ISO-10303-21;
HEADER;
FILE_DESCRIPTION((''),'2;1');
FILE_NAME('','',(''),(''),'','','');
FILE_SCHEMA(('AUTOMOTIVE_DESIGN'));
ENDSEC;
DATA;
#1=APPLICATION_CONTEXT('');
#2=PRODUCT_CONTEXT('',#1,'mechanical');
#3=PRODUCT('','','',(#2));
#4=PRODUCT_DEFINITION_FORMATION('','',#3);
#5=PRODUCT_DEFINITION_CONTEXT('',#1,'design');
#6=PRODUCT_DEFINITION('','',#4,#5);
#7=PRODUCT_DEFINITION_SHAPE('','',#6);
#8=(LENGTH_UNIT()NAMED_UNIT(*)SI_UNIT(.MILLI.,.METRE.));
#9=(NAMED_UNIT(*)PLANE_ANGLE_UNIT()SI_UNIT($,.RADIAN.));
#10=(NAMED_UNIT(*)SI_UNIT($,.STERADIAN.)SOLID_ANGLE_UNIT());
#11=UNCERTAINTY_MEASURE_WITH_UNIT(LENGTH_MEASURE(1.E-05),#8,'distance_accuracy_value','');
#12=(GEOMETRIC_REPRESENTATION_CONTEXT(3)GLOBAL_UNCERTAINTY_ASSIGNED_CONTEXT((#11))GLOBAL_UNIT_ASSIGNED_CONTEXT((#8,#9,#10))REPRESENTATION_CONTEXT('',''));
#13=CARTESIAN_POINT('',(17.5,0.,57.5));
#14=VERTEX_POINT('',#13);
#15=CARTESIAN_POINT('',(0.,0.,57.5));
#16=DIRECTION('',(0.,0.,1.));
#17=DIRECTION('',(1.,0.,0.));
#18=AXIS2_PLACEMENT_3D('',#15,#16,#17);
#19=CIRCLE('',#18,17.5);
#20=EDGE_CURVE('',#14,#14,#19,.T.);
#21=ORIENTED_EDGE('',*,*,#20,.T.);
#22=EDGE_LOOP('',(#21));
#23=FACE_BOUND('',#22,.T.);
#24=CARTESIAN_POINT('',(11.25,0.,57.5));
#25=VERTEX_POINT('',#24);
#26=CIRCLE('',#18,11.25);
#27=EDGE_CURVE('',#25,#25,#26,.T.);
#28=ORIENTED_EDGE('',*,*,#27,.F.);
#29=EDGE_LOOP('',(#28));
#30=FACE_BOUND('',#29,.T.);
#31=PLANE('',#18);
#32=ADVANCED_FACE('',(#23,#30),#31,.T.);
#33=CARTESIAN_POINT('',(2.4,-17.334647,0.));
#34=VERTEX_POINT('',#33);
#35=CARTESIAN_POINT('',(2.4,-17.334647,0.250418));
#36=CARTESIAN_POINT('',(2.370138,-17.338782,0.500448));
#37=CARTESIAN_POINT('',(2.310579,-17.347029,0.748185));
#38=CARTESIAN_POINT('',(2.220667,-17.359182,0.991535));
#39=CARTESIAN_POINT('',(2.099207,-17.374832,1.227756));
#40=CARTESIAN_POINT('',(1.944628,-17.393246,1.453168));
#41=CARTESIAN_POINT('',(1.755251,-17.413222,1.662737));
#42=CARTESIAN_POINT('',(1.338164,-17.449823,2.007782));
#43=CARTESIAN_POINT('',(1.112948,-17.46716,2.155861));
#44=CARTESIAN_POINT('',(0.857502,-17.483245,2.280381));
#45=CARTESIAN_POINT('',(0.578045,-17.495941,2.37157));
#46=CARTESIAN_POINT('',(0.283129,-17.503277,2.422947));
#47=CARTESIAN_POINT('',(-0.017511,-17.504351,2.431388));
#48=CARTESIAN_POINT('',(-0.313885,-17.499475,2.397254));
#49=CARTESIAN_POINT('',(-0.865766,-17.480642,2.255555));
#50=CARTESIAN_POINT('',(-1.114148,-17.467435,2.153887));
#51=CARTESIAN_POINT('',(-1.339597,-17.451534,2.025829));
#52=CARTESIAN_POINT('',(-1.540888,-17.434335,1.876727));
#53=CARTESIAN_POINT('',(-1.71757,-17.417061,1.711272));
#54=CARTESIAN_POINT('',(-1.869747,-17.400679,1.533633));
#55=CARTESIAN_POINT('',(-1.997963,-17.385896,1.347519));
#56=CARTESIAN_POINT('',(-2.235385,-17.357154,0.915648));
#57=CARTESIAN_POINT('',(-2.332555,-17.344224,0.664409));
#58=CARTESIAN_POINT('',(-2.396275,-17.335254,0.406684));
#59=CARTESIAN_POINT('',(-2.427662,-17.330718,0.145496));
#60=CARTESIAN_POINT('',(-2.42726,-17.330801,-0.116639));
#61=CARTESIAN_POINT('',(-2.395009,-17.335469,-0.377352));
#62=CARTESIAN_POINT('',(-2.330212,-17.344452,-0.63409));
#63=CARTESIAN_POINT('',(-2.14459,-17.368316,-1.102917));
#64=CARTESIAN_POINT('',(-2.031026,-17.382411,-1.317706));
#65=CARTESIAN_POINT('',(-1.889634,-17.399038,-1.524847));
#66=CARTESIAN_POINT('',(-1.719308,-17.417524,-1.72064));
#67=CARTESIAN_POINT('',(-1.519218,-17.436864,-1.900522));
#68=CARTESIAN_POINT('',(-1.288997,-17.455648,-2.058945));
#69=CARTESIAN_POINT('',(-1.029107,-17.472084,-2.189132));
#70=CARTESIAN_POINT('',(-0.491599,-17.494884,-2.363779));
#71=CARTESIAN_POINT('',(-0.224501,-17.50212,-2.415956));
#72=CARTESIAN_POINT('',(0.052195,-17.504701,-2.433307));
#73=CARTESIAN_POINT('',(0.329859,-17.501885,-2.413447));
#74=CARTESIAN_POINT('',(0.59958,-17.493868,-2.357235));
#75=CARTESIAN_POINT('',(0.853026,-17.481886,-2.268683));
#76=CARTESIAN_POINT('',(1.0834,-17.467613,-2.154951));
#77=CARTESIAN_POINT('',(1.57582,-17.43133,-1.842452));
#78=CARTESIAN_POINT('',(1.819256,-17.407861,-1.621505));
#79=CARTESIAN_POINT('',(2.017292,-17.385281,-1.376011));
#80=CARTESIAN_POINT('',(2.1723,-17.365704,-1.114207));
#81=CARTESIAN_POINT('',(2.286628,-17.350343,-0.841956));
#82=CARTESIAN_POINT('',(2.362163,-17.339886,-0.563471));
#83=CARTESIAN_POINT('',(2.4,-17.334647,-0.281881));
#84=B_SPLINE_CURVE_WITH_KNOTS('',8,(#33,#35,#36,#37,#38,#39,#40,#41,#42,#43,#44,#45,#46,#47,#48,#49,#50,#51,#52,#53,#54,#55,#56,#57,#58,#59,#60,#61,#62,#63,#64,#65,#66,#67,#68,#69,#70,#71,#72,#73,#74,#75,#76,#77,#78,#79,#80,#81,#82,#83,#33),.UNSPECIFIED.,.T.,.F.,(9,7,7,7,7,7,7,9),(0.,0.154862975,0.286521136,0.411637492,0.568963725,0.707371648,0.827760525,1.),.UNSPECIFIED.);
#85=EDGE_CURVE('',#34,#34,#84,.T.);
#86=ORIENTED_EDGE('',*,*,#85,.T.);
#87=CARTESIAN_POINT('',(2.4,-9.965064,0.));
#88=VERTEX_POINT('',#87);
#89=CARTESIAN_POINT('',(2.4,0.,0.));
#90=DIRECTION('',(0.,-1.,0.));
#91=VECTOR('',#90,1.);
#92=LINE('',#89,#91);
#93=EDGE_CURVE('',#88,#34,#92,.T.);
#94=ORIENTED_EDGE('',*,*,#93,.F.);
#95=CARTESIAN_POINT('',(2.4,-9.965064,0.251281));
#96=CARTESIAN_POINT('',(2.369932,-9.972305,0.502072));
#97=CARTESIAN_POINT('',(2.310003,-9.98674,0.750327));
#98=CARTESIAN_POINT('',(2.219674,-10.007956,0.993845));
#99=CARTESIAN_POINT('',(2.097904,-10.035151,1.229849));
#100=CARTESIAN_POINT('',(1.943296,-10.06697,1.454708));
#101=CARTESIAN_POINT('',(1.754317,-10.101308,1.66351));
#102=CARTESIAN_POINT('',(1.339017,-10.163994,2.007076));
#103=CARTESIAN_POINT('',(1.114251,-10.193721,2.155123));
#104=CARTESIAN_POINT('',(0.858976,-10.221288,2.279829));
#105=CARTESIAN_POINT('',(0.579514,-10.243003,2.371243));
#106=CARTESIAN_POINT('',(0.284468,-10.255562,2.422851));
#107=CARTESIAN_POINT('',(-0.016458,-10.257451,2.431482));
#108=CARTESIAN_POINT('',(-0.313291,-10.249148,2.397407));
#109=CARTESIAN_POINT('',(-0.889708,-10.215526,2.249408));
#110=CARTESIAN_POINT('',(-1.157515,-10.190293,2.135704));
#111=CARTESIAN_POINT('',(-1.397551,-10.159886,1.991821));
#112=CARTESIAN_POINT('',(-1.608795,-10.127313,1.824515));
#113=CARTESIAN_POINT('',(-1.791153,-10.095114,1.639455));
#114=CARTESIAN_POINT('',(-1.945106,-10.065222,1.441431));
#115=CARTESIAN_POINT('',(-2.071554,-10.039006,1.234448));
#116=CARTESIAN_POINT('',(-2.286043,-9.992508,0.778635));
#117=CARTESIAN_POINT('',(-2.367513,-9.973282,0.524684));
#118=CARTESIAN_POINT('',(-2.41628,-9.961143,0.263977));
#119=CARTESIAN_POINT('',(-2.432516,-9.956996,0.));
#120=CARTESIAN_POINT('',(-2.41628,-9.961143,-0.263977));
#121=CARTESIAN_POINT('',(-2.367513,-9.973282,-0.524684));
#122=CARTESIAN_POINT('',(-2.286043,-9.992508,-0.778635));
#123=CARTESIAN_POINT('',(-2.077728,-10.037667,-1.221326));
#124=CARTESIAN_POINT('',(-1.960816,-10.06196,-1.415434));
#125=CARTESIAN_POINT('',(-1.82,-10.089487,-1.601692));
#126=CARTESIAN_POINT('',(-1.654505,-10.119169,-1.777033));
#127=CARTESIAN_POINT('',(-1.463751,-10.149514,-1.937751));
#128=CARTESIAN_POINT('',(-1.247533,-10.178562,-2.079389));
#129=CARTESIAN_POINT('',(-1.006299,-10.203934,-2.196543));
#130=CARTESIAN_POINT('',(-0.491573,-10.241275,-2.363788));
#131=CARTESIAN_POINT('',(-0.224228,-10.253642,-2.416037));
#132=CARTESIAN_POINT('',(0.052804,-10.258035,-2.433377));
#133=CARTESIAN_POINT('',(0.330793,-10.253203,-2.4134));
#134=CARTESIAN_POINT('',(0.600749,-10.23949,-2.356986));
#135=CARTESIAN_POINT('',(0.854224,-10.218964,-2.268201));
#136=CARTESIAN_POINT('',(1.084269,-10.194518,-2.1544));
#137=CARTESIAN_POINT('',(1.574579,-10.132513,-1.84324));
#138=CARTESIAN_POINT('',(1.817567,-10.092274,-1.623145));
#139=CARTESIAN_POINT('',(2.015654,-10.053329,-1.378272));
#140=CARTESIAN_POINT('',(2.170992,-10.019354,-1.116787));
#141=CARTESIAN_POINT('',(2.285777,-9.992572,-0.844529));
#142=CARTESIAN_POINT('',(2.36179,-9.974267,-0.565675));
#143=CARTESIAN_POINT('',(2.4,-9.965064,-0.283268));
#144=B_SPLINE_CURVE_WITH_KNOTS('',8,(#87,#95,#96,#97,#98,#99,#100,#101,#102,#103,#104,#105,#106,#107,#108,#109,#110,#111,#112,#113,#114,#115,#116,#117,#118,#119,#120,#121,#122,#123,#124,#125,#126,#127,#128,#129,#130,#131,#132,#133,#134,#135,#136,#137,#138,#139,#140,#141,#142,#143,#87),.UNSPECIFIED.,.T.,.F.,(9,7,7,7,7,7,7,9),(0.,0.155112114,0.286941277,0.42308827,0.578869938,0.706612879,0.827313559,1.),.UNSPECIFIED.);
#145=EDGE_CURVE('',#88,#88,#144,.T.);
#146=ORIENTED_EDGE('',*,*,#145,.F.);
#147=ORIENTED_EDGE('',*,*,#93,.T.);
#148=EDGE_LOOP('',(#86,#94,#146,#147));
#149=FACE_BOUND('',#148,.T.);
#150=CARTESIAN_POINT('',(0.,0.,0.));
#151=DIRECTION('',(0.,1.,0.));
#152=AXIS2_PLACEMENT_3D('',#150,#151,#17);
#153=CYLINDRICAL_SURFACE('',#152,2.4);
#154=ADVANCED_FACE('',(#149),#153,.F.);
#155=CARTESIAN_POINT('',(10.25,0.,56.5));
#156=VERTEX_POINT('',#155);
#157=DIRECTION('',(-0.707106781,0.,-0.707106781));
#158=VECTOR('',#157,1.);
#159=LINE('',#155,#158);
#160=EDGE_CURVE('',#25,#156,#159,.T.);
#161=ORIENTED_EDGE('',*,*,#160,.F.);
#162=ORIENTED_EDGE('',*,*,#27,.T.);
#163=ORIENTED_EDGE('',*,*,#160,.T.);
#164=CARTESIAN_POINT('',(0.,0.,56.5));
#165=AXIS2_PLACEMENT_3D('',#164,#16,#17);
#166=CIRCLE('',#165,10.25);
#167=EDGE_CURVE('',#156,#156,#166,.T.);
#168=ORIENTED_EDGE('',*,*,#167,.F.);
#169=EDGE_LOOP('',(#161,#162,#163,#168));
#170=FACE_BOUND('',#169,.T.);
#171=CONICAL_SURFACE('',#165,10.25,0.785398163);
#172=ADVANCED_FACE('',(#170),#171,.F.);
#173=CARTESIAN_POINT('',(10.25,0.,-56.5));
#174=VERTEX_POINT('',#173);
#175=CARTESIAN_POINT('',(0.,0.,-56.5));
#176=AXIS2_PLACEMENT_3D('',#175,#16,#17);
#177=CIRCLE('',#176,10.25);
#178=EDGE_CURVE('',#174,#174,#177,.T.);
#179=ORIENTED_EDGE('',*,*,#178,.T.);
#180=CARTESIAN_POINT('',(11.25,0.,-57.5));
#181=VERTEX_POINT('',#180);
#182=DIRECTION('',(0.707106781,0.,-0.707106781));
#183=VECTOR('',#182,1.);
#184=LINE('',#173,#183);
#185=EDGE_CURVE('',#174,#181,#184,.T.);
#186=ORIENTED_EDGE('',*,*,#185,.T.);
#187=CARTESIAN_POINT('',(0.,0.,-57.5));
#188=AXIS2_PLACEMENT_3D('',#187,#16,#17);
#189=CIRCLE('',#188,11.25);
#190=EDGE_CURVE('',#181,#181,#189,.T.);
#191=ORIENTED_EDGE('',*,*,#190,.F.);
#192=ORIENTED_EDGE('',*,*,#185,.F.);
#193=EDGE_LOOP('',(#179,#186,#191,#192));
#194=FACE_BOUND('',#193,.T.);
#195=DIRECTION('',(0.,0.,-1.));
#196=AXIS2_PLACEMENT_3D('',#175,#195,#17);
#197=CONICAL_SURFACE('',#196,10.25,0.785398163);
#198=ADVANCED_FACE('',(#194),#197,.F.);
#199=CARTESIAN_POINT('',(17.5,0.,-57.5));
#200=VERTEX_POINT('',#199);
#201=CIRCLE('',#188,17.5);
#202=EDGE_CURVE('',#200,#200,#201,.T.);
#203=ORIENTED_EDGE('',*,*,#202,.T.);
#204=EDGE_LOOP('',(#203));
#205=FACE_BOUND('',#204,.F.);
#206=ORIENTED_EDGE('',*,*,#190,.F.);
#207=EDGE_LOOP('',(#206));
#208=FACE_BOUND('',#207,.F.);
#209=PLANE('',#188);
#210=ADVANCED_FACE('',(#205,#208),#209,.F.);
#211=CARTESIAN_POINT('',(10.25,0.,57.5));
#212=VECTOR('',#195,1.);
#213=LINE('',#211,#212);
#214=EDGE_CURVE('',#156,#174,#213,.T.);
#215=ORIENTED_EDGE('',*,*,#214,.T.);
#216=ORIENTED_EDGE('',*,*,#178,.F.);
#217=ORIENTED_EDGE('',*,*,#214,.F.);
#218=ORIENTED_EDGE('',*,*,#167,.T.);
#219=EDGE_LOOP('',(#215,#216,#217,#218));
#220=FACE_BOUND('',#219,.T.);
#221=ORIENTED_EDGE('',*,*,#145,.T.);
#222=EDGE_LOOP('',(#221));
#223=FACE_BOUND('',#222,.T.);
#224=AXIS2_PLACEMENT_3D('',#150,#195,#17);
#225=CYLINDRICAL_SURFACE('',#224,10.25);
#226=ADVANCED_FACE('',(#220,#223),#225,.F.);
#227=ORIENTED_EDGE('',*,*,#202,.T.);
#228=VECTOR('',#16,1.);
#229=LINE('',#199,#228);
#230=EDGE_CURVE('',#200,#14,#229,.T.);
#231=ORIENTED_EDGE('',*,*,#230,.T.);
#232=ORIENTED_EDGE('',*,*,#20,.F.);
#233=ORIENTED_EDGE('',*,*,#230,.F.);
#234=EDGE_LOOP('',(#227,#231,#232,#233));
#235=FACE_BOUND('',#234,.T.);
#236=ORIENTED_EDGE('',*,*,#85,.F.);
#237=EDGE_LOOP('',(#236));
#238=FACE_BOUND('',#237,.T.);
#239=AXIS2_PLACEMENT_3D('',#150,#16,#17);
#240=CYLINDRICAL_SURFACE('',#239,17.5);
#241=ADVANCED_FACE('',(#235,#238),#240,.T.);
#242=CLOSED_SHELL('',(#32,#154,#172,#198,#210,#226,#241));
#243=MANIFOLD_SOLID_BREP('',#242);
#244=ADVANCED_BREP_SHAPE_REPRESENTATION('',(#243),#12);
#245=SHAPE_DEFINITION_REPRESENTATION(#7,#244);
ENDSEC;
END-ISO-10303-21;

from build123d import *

# Parameters (mm, degrees)
F0_R     = 17.5
F0_R_2   = 10.25
F1_DEPTH = 57.5
F2_R     = 2.4
F3_DEPTH = 25
F4_SIZE  = 1
F5_SIZE  = 1


with BuildPart() as f1:
    # F0 (on Top) → F1 (new body, symmetric)
    with BuildSketch(Plane.XY):
        Circle(F0_R)
        Circle(F0_R_2, mode=Mode.SUBTRACT)
    extrude(amount=F1_DEPTH, both=True)

    # F2 (on Front) → F3 (cut)
    with BuildSketch(Plane.XZ):
        Circle(F2_R)
    extrude(amount=F3_DEPTH, mode=Mode.SUBTRACT)

    # F4
    f4_edges = [f1.edges().sort_by_distance(p)[0] for p in [
        (-10.25, 0, 57.5),
    ]]
    chamfer(f4_edges, length=F4_SIZE)

    # F5
    f5_edges = [f1.edges().sort_by_distance(p)[0] for p in [
        (-10.25, 0, -57.5),
    ]]
    chamfer(f5_edges, length=F5_SIZE)


solid = f1.part
